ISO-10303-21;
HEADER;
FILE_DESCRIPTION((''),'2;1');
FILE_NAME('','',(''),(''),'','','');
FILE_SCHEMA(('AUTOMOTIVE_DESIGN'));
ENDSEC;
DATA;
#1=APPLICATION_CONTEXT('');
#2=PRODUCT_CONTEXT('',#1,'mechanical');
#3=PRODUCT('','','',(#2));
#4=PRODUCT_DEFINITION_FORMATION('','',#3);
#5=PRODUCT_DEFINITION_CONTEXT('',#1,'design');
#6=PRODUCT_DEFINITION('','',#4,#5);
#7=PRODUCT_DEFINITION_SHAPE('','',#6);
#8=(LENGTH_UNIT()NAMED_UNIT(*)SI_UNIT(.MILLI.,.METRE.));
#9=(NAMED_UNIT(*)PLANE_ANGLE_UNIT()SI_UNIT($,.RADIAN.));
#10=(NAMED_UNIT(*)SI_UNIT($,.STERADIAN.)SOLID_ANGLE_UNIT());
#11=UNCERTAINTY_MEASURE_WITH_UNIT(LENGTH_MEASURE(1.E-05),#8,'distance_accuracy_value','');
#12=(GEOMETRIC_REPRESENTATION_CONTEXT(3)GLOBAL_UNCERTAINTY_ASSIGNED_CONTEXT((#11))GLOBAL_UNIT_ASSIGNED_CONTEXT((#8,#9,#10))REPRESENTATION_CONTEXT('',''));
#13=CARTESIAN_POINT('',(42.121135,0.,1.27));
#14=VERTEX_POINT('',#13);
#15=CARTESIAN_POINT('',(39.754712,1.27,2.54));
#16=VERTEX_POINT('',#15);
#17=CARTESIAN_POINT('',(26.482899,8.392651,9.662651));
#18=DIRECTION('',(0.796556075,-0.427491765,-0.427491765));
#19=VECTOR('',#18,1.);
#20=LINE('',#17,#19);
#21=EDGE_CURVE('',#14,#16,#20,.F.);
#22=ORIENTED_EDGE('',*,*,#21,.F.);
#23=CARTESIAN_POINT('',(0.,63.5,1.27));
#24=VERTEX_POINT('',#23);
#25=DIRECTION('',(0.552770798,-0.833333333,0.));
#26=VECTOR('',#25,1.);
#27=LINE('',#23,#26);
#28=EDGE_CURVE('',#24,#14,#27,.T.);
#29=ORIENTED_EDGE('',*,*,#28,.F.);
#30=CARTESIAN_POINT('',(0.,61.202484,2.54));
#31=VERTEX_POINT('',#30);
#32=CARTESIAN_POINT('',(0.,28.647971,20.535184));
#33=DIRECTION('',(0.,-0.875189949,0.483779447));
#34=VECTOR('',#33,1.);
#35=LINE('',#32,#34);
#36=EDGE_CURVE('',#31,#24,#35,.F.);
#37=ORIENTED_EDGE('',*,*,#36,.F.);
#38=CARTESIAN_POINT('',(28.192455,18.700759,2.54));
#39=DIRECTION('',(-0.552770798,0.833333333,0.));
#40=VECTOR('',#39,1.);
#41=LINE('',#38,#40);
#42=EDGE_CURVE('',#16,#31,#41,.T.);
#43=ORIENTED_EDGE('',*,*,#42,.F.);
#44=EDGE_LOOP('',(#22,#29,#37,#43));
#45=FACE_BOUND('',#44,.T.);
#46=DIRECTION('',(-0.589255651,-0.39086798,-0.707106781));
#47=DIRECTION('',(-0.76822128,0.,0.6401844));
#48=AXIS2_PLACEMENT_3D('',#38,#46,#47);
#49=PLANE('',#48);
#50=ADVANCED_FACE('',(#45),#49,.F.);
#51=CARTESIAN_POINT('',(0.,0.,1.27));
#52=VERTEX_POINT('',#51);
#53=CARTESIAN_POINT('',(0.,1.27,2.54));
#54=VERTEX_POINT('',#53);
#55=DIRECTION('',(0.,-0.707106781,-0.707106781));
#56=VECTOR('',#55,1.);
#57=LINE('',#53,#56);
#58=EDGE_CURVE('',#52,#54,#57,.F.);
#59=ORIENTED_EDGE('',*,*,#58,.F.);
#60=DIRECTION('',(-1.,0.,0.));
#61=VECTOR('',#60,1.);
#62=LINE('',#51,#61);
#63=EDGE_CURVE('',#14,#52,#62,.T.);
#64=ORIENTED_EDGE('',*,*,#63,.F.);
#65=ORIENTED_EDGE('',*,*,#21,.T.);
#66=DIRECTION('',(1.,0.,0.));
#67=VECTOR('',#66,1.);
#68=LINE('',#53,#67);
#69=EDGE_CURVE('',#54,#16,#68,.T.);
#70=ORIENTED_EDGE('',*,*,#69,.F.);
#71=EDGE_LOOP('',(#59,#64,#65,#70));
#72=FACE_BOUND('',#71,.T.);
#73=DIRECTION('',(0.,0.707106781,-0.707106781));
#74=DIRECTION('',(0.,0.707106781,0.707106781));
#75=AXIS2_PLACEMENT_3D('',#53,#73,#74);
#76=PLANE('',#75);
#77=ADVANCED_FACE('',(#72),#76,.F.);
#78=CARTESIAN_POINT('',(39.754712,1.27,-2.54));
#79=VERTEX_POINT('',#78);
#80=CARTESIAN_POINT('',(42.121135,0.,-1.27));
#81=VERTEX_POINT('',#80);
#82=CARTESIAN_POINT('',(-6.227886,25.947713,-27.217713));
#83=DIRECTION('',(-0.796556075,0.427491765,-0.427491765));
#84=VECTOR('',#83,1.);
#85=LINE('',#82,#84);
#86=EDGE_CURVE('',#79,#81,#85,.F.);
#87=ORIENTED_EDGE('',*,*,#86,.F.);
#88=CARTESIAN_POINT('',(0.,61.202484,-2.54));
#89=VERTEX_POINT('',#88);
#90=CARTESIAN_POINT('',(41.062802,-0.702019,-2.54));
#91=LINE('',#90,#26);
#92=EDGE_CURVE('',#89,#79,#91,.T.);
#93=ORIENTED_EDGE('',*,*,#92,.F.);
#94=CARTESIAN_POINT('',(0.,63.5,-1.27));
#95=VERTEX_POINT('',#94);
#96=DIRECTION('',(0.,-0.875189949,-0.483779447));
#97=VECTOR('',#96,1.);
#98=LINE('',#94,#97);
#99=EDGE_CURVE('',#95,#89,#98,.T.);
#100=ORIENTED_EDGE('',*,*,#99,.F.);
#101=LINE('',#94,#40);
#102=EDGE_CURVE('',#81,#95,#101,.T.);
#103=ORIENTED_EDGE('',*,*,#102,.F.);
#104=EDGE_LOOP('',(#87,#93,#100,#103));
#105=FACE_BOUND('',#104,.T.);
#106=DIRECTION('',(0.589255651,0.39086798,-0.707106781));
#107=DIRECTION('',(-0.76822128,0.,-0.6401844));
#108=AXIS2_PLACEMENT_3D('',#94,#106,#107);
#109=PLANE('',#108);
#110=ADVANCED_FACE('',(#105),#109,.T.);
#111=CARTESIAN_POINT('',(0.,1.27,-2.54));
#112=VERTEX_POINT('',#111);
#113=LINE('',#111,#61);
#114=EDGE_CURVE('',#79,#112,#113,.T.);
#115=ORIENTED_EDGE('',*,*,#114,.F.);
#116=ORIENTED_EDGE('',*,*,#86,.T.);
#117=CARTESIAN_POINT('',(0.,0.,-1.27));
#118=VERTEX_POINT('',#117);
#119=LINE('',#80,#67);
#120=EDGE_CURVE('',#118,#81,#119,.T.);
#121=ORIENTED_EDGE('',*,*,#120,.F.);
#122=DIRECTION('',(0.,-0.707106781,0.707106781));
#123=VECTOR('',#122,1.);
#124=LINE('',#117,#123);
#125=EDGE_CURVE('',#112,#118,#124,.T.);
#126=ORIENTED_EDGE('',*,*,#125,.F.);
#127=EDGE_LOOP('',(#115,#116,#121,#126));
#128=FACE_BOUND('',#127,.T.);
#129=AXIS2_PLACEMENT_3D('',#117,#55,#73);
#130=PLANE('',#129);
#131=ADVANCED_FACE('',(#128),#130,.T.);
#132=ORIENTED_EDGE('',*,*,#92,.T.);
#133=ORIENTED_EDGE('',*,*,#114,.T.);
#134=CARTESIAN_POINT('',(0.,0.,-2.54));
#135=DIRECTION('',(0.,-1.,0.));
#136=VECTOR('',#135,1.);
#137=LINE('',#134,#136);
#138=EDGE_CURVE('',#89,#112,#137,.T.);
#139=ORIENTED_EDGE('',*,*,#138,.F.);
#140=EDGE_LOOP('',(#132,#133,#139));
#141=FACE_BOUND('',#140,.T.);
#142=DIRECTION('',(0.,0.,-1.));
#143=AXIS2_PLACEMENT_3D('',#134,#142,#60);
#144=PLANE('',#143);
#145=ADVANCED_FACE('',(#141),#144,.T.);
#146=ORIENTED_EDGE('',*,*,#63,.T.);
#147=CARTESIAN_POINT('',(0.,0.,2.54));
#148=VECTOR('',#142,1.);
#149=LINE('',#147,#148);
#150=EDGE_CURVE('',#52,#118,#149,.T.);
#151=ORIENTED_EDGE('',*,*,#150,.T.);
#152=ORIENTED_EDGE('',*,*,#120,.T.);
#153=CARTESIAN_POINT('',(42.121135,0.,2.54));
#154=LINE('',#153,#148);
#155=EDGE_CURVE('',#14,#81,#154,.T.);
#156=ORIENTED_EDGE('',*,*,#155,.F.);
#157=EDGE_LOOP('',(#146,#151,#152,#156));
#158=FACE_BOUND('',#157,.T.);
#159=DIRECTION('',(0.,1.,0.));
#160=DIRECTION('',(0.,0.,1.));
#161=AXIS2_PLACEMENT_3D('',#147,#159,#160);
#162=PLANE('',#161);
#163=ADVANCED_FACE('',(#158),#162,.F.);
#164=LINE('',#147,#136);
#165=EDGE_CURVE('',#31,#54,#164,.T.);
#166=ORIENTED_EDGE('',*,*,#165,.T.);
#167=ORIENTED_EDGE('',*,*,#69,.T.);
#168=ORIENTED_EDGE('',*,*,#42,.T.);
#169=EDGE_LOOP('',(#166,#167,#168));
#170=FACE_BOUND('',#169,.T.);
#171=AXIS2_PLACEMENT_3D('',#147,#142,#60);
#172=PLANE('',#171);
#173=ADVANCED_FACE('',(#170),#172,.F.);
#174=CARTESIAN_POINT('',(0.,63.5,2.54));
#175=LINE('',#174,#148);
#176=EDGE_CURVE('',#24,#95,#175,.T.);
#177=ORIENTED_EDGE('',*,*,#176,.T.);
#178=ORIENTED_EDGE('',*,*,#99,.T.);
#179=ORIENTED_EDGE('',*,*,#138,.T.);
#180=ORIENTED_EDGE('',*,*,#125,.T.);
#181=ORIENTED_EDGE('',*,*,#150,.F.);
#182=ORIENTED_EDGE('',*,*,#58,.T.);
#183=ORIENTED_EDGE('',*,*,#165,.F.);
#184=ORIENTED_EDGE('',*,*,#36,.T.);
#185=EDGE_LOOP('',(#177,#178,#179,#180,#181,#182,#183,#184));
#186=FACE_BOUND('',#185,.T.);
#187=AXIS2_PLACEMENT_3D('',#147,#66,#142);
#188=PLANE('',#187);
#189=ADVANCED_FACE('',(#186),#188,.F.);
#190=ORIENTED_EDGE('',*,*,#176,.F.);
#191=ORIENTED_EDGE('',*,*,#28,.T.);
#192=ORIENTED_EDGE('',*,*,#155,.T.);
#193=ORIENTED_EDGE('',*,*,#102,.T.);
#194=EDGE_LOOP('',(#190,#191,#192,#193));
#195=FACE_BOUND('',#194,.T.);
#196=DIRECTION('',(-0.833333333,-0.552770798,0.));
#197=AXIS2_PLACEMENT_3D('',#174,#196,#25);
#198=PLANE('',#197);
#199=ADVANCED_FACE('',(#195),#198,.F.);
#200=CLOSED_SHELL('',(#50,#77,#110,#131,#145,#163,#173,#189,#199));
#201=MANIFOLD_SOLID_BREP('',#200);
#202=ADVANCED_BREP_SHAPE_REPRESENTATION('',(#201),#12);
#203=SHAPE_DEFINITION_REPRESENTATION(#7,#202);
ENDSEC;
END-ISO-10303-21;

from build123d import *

# Parameters (mm, degrees)
EXTRUDE1_DEPTH = 2.54
CHAMFER1_SIZE  = 1.27


with BuildPart() as part:
    # Sketch1 → Extrude1 (new body, symmetric)
    with BuildSketch(Plane.XY):
        Polygon((0, 63.5), (42.121134838, 0), (0, 0), align=None)
    extrude(amount=EXTRUDE1_DEPTH, both=True)

    # Chamfer1
    chamfer1_edges = [part.edges().sort_by_distance(p)[0] for p in [
        (21.060567419, 31.75, 2.54),
        (21.060567419, 31.75, -2.54),
        (21.060567419, 0, -2.54),
        (21.060567419, 0, 2.54),
    ]]
    chamfer(chamfer1_edges, length=CHAMFER1_SIZE)


solid = part.part
